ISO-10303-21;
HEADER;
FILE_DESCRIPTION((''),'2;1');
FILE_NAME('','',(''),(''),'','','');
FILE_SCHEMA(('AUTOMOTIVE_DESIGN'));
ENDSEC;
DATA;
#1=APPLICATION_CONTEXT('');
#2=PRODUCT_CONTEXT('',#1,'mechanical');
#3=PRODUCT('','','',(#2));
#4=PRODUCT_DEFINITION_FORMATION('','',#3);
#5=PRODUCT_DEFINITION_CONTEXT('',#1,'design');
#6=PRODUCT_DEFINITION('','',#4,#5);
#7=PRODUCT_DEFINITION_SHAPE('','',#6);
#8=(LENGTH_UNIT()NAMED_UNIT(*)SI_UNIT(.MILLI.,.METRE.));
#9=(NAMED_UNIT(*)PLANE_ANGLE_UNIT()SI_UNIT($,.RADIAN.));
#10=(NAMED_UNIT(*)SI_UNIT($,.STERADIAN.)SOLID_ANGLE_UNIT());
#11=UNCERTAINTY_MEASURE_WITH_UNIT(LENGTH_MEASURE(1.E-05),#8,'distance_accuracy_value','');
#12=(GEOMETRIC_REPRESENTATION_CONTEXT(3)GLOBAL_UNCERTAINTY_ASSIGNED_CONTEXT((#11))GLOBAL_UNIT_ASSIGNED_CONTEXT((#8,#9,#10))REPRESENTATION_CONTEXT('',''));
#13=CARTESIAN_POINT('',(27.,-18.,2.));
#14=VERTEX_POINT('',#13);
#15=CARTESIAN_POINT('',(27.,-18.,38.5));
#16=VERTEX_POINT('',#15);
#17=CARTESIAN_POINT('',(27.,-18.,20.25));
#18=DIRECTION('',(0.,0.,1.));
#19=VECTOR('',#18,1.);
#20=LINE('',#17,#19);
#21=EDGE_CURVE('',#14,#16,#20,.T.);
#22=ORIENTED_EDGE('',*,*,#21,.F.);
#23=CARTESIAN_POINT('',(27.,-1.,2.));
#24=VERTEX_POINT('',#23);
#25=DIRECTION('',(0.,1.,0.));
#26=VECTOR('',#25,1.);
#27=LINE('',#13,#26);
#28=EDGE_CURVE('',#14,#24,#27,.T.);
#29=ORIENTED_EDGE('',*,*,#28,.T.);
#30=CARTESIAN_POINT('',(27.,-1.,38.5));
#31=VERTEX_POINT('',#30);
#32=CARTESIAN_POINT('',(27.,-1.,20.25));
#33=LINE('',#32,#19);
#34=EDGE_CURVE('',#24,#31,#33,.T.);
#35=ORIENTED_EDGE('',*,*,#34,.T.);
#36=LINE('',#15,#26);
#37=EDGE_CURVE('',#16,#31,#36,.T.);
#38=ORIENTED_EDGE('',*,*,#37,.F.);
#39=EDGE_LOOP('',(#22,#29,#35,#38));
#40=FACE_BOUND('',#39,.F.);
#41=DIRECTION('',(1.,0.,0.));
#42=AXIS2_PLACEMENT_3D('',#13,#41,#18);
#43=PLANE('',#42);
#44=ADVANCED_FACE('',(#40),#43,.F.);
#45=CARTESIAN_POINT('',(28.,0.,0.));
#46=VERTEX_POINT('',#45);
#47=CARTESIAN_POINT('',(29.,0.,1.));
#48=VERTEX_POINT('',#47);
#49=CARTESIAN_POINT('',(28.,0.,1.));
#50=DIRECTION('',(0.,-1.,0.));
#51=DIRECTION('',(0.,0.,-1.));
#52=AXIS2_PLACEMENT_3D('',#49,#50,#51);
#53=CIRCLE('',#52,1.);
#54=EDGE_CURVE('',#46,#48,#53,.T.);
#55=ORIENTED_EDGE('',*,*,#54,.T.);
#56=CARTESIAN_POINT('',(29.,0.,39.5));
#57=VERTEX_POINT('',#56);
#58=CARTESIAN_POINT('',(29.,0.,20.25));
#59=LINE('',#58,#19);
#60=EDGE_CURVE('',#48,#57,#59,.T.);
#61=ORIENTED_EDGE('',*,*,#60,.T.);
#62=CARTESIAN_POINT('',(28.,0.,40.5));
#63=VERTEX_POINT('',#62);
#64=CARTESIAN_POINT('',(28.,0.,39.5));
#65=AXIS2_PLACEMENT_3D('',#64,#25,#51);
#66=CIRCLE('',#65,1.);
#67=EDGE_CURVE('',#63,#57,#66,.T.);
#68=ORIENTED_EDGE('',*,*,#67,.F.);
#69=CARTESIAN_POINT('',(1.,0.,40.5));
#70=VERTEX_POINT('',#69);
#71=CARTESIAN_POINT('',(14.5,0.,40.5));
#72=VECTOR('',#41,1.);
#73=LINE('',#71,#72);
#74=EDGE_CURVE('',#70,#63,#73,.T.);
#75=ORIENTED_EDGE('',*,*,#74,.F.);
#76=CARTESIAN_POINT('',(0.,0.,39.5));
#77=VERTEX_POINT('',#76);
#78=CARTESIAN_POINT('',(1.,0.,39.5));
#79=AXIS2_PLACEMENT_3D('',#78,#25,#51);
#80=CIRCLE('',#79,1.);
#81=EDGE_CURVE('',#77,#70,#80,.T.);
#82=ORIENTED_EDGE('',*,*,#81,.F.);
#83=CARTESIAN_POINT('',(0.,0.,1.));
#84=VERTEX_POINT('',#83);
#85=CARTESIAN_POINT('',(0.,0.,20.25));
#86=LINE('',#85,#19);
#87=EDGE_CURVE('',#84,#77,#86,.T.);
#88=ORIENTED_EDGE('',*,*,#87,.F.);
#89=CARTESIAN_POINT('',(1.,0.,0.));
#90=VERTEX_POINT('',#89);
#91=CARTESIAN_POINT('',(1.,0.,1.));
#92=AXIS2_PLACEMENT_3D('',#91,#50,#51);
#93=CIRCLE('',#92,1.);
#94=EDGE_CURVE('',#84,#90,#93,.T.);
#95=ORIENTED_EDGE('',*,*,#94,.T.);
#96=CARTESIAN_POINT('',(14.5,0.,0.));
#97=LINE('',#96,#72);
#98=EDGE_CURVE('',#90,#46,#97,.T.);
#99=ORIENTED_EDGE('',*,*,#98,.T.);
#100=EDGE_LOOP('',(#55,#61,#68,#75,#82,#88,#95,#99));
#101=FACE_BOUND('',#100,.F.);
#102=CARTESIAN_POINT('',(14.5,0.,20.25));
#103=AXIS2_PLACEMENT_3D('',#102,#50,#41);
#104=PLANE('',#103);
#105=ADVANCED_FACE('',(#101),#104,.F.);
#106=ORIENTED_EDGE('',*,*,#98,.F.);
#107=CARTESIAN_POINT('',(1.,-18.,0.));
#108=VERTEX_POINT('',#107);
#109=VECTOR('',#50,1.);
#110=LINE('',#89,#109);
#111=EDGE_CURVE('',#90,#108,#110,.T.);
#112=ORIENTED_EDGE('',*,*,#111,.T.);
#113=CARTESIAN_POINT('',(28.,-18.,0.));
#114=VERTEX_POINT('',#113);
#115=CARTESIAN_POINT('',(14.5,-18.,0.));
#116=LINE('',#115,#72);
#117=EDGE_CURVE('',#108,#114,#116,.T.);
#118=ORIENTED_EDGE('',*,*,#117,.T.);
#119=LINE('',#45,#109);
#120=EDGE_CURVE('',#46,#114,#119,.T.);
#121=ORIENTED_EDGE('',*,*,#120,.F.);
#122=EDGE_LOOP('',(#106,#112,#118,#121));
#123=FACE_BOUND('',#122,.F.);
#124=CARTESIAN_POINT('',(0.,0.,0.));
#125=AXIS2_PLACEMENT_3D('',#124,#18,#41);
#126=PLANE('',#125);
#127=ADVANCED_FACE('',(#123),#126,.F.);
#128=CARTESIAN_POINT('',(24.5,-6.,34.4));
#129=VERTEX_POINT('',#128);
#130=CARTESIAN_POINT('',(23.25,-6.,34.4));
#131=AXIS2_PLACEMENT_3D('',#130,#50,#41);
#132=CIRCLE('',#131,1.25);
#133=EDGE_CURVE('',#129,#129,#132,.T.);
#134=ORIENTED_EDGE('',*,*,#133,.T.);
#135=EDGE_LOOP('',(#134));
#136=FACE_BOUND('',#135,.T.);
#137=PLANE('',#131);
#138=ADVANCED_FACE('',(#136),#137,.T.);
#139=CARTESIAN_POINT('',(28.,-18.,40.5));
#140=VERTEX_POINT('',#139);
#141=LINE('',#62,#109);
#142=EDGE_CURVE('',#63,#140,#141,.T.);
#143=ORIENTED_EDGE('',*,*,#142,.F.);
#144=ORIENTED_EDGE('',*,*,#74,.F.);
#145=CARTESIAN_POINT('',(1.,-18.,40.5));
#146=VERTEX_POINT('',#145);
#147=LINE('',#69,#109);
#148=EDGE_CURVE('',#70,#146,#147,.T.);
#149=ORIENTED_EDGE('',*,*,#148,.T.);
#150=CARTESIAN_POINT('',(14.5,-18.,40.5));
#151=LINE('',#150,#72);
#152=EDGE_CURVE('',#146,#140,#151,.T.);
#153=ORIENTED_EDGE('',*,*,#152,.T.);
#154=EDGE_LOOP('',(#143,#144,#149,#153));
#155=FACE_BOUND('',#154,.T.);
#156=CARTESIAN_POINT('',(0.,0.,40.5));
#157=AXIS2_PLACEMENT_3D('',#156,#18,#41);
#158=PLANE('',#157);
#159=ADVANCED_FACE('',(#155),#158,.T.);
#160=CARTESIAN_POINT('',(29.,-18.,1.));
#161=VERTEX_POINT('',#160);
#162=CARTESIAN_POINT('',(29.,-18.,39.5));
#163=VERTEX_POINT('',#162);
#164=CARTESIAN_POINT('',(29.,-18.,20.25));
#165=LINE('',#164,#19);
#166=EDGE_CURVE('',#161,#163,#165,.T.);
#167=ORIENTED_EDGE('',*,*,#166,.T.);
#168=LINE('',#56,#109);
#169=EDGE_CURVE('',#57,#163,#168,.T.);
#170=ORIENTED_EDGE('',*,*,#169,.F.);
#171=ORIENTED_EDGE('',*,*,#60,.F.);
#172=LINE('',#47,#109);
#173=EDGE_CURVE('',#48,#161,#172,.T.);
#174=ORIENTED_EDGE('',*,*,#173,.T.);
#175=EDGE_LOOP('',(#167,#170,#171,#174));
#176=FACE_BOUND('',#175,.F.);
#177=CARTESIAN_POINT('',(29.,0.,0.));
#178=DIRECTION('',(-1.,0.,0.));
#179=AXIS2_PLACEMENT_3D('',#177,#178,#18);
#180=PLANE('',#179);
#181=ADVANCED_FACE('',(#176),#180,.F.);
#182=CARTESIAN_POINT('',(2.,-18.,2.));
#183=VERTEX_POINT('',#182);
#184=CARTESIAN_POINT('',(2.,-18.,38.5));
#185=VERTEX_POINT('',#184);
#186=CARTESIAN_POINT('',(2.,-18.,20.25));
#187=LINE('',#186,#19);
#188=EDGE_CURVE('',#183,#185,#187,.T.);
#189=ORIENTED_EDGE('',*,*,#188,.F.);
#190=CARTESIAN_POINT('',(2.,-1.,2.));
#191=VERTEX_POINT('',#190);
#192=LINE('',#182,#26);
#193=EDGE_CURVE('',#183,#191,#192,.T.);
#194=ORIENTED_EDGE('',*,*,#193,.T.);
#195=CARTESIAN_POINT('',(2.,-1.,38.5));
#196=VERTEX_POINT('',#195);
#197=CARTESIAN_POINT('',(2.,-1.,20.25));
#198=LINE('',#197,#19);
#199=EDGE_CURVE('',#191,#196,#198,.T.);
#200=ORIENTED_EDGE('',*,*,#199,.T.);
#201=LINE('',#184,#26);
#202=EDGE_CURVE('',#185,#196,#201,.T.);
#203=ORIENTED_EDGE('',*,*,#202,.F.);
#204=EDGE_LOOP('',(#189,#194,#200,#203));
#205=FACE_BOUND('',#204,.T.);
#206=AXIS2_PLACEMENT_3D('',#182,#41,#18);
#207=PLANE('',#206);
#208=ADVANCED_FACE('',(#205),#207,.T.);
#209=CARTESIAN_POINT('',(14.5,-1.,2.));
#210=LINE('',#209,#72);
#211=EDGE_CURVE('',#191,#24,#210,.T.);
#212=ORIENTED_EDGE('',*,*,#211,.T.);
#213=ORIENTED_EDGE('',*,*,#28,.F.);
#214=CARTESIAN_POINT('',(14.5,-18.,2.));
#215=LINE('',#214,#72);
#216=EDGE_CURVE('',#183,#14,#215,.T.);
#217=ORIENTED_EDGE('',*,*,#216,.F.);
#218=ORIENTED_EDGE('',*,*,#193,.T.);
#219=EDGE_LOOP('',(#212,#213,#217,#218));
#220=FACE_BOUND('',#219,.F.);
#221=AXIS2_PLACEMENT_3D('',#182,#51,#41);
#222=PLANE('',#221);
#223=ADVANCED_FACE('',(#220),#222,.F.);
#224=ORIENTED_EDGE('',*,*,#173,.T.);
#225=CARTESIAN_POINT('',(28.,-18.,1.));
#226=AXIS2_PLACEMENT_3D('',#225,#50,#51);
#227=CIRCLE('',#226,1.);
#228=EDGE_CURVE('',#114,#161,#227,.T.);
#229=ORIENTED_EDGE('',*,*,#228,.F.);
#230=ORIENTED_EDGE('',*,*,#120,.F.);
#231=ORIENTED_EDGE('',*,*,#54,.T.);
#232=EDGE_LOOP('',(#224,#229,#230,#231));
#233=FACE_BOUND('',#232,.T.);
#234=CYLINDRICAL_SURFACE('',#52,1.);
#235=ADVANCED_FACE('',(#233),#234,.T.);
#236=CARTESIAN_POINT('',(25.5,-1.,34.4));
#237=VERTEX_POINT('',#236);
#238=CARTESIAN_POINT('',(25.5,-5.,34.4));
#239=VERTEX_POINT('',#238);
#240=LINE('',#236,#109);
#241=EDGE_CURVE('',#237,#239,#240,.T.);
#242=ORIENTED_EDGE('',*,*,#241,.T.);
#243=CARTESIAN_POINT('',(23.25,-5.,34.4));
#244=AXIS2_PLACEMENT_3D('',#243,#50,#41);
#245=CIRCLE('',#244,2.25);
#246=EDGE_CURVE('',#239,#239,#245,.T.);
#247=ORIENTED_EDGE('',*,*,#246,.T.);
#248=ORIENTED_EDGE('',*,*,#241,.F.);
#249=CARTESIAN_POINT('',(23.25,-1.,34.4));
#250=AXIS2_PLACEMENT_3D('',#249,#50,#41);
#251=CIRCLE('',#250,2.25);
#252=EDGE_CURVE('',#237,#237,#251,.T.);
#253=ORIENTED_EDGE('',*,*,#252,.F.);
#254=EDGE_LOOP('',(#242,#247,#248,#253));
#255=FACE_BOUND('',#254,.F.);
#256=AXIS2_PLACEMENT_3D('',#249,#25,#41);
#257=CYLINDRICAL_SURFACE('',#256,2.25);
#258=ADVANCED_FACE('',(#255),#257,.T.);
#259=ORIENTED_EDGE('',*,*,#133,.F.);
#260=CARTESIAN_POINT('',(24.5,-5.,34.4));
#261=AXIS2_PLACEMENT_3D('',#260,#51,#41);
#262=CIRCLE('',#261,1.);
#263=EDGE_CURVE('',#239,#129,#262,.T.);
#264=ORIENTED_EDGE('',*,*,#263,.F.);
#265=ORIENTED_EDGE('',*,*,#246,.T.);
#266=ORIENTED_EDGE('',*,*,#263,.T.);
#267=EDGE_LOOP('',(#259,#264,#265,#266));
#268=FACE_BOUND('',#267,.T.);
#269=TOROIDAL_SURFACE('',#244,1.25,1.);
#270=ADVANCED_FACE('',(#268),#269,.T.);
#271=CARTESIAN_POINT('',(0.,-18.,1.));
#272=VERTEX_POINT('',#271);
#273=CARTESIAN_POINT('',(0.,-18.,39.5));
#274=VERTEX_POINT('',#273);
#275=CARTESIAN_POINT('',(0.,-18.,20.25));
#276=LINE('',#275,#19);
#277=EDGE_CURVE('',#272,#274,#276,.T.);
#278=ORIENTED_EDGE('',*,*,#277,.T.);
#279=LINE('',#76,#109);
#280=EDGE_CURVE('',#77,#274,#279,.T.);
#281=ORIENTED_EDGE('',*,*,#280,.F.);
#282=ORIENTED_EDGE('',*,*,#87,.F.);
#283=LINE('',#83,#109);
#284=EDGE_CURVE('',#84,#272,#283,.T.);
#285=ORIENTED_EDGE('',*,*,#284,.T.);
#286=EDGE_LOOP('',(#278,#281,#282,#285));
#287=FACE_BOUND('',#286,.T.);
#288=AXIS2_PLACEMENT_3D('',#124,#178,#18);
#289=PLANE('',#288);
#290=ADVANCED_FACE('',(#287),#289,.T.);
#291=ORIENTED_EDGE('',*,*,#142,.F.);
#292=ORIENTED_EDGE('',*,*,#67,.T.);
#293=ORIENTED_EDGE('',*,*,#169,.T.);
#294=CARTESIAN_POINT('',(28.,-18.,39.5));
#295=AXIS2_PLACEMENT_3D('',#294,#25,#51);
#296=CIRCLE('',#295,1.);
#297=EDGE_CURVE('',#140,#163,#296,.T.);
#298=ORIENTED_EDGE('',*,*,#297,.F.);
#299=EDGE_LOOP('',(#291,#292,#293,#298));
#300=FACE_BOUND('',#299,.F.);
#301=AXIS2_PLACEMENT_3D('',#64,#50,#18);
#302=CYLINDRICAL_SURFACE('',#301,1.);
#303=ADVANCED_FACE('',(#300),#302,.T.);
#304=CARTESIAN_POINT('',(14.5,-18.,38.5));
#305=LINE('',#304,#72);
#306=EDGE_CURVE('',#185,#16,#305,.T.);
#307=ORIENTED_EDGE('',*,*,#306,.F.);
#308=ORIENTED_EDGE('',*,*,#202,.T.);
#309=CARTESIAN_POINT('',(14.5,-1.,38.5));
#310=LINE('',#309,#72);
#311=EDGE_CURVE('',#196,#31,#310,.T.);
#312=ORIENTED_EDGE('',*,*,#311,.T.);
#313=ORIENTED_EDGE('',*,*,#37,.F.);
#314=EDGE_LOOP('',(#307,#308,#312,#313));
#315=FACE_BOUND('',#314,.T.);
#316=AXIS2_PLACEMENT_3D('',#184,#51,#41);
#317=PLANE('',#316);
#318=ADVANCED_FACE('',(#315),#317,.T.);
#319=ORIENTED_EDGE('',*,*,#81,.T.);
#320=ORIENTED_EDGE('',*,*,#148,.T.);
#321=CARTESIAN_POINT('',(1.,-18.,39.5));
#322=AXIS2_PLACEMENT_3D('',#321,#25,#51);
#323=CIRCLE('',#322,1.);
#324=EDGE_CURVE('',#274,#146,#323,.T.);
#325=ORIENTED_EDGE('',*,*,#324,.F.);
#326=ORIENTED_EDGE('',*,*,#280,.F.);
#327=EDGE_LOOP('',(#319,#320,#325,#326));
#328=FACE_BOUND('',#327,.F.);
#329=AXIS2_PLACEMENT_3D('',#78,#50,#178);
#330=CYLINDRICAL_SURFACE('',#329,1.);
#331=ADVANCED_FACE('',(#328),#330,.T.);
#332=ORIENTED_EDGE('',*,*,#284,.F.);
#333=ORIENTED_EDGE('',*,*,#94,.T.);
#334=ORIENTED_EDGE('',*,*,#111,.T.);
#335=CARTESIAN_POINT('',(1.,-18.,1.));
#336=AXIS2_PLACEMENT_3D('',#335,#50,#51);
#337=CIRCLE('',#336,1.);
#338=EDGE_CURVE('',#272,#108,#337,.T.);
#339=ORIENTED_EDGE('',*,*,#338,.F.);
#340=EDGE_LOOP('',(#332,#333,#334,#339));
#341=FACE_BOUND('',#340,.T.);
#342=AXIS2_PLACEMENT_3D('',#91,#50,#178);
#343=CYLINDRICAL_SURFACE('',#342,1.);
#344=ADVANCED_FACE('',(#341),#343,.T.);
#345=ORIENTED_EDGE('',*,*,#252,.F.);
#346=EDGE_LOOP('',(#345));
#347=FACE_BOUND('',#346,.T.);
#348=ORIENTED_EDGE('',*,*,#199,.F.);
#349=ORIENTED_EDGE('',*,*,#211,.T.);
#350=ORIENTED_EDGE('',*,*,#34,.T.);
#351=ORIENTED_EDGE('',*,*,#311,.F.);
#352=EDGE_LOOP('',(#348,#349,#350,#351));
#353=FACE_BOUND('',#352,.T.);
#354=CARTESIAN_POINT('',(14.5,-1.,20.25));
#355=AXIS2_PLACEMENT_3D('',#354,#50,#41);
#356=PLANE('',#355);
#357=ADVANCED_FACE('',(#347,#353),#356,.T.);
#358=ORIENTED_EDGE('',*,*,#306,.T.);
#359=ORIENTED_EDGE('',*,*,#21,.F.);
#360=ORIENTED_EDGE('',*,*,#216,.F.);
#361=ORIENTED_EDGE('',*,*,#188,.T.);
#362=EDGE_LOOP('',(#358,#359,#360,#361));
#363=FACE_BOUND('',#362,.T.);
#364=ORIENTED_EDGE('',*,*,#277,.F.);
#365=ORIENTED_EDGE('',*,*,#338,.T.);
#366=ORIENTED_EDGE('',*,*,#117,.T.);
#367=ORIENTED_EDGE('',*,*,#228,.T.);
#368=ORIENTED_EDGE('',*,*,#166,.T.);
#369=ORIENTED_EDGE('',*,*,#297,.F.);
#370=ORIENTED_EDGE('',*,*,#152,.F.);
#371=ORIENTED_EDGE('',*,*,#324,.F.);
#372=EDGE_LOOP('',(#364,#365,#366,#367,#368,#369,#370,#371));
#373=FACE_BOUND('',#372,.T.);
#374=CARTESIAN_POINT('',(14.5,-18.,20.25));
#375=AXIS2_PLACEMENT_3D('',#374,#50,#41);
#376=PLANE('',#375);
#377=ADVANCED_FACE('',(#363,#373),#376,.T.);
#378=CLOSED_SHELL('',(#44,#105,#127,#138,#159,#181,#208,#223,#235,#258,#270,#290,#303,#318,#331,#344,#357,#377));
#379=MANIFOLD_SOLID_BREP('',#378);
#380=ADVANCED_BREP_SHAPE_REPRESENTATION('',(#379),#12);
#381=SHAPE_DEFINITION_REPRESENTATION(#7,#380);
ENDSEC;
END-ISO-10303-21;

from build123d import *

# Parameters (mm, degrees)
F0_W     = 29
F0_H     = 40.5
F1_DEPTH = 18
F2_W     = 25
F2_H     = 36.5
F3_DEPTH = 17
F5_R     = 2.25
F6_DEPTH = 5
F7_R     = 1
F8_R     = 1


with BuildPart() as f1:
    # F0 (on Front) → F1 (new body)
    with BuildSketch(Plane.XZ):
        with Locations((14.5, 20.25)):
            Rectangle(F0_W, F0_H)
    extrude(amount=F1_DEPTH)

    # F2 (on face) → F3 (cut)
    with BuildSketch(Plane.XZ.offset(18)):
        with Locations((14.5, 20.25)):
            Rectangle(F2_W, F2_H)
    extrude(amount=-F3_DEPTH, mode=Mode.SUBTRACT)

    # F5 (on face) → F6 (join)
    with BuildSketch(Plane.XZ.offset(1)):
        with Locations((23.25, 34.4)):
            Circle(F5_R)
    extrude(amount=F6_DEPTH)

    # F7
    f7_edges = [f1.edges().sort_by_distance(p)[0] for p in [
        (0, -9, 0),
        (29, -9, 0),
        (0, -9, 40.5),
        (29, -9, 40.5),
    ]]
    fillet(f7_edges, radius=F7_R)

    # F8
    f8_edges = [f1.edges().sort_by_distance(p)[0] for p in [
        (21, -6, 34.4),
    ]]
    fillet(f8_edges, radius=F8_R)


solid = f1.part
